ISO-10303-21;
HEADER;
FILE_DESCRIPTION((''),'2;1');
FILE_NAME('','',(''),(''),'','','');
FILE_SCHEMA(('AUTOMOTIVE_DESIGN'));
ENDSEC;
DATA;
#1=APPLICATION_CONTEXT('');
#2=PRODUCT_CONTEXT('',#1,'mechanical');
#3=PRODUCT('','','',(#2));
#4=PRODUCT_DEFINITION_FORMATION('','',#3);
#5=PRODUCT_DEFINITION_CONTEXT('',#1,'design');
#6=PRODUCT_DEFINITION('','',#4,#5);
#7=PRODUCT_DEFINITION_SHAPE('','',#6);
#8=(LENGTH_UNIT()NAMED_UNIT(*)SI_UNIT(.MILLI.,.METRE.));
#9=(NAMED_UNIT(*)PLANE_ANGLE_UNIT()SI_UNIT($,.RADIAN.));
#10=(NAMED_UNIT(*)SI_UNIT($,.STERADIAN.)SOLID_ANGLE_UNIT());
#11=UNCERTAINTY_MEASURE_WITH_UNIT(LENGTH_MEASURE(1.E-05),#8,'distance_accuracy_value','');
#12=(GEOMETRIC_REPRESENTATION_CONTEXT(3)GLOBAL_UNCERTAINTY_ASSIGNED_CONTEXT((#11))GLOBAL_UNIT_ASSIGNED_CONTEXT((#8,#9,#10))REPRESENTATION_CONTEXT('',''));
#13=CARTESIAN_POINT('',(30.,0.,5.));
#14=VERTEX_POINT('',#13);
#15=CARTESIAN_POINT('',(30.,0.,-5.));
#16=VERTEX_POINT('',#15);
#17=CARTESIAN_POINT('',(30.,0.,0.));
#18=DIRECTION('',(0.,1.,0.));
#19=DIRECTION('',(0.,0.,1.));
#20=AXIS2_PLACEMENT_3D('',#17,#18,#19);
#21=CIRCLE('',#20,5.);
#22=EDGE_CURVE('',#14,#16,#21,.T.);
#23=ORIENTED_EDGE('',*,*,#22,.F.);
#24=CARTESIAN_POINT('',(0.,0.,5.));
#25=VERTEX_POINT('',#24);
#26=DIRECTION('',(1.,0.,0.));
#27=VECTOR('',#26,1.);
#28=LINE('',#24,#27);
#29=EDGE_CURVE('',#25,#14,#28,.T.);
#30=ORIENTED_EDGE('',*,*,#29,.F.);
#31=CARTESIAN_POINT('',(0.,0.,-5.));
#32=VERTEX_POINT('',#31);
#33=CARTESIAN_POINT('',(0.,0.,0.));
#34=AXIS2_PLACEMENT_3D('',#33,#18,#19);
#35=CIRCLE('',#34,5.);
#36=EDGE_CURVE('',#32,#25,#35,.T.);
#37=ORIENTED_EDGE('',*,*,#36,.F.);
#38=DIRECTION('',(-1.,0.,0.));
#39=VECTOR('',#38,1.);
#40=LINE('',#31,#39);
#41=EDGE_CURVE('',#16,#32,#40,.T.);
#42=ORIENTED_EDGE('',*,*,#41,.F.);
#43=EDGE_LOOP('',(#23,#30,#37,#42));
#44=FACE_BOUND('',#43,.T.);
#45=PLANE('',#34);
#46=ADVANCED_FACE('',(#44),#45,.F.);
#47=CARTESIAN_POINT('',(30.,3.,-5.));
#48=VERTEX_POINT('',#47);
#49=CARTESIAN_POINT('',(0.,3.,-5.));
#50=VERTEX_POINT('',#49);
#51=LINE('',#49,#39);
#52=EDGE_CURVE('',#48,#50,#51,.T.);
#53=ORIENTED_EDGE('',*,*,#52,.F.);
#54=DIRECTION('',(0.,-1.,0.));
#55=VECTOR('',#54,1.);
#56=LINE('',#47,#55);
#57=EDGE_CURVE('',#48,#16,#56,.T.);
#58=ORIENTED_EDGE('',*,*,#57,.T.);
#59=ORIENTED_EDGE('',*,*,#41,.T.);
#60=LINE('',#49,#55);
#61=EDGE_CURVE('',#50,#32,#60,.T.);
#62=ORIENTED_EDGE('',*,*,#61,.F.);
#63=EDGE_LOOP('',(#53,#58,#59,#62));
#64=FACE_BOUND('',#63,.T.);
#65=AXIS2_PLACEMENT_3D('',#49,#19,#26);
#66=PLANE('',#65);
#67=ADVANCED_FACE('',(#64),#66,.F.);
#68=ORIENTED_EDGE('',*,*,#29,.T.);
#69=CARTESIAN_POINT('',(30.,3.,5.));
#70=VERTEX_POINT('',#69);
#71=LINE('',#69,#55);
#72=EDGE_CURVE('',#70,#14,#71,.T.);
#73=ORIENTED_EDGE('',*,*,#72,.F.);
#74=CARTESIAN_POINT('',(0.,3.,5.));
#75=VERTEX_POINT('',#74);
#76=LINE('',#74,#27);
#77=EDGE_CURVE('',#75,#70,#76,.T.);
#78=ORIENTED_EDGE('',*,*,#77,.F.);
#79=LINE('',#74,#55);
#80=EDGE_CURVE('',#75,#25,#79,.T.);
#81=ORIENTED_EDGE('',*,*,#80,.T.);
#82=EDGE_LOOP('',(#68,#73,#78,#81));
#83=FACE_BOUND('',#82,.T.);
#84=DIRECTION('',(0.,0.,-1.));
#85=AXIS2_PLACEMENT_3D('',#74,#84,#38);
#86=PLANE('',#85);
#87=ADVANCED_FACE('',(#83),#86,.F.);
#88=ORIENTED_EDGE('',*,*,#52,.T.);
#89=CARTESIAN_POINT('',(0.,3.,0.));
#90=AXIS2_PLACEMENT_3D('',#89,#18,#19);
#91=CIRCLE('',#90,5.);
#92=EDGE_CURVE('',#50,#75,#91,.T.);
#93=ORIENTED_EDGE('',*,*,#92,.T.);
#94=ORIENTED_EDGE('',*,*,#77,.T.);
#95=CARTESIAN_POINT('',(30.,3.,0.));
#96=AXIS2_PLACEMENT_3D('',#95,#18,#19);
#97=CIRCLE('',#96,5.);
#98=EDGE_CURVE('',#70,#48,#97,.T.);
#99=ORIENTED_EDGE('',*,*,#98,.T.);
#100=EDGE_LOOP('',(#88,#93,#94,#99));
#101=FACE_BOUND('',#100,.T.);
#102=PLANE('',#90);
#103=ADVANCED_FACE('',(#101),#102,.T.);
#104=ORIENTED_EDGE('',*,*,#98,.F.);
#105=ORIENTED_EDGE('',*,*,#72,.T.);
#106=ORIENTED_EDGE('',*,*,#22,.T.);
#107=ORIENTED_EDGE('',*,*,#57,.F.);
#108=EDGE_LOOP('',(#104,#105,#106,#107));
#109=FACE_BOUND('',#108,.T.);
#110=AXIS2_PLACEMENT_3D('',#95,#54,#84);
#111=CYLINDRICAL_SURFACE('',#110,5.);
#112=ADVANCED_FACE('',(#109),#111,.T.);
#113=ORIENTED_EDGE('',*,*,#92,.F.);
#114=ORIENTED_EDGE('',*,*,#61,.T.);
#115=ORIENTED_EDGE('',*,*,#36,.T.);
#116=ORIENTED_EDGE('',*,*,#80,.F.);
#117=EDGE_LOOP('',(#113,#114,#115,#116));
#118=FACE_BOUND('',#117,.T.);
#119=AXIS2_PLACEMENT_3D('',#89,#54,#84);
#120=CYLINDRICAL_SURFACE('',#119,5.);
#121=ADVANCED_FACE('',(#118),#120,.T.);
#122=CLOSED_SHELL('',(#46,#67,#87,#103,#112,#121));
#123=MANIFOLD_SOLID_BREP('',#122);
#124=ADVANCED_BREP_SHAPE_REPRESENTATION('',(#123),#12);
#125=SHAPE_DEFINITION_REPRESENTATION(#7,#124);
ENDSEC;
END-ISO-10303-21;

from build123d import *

# Parameters (mm, degrees)
EXTRUDE_1_DEPTH = 3


with BuildPart() as part:
    # 草图1 → 凸台-拉伸1 (new body)
    with BuildSketch(Plane(origin=(0, 0, 0), x_dir=(1, 0, 0), z_dir=(0, 1, 0))):
        with BuildLine():
            Line((0, 5), (30, 5))
            ThreePointArc((30, 5), (35, 0), (30, -5))
            Line((30, -5), (0, -5))
            ThreePointArc((0, -5), (-5, 0), (0, 5))
        make_face()
    extrude(amount=EXTRUDE_1_DEPTH)


solid = part.part
